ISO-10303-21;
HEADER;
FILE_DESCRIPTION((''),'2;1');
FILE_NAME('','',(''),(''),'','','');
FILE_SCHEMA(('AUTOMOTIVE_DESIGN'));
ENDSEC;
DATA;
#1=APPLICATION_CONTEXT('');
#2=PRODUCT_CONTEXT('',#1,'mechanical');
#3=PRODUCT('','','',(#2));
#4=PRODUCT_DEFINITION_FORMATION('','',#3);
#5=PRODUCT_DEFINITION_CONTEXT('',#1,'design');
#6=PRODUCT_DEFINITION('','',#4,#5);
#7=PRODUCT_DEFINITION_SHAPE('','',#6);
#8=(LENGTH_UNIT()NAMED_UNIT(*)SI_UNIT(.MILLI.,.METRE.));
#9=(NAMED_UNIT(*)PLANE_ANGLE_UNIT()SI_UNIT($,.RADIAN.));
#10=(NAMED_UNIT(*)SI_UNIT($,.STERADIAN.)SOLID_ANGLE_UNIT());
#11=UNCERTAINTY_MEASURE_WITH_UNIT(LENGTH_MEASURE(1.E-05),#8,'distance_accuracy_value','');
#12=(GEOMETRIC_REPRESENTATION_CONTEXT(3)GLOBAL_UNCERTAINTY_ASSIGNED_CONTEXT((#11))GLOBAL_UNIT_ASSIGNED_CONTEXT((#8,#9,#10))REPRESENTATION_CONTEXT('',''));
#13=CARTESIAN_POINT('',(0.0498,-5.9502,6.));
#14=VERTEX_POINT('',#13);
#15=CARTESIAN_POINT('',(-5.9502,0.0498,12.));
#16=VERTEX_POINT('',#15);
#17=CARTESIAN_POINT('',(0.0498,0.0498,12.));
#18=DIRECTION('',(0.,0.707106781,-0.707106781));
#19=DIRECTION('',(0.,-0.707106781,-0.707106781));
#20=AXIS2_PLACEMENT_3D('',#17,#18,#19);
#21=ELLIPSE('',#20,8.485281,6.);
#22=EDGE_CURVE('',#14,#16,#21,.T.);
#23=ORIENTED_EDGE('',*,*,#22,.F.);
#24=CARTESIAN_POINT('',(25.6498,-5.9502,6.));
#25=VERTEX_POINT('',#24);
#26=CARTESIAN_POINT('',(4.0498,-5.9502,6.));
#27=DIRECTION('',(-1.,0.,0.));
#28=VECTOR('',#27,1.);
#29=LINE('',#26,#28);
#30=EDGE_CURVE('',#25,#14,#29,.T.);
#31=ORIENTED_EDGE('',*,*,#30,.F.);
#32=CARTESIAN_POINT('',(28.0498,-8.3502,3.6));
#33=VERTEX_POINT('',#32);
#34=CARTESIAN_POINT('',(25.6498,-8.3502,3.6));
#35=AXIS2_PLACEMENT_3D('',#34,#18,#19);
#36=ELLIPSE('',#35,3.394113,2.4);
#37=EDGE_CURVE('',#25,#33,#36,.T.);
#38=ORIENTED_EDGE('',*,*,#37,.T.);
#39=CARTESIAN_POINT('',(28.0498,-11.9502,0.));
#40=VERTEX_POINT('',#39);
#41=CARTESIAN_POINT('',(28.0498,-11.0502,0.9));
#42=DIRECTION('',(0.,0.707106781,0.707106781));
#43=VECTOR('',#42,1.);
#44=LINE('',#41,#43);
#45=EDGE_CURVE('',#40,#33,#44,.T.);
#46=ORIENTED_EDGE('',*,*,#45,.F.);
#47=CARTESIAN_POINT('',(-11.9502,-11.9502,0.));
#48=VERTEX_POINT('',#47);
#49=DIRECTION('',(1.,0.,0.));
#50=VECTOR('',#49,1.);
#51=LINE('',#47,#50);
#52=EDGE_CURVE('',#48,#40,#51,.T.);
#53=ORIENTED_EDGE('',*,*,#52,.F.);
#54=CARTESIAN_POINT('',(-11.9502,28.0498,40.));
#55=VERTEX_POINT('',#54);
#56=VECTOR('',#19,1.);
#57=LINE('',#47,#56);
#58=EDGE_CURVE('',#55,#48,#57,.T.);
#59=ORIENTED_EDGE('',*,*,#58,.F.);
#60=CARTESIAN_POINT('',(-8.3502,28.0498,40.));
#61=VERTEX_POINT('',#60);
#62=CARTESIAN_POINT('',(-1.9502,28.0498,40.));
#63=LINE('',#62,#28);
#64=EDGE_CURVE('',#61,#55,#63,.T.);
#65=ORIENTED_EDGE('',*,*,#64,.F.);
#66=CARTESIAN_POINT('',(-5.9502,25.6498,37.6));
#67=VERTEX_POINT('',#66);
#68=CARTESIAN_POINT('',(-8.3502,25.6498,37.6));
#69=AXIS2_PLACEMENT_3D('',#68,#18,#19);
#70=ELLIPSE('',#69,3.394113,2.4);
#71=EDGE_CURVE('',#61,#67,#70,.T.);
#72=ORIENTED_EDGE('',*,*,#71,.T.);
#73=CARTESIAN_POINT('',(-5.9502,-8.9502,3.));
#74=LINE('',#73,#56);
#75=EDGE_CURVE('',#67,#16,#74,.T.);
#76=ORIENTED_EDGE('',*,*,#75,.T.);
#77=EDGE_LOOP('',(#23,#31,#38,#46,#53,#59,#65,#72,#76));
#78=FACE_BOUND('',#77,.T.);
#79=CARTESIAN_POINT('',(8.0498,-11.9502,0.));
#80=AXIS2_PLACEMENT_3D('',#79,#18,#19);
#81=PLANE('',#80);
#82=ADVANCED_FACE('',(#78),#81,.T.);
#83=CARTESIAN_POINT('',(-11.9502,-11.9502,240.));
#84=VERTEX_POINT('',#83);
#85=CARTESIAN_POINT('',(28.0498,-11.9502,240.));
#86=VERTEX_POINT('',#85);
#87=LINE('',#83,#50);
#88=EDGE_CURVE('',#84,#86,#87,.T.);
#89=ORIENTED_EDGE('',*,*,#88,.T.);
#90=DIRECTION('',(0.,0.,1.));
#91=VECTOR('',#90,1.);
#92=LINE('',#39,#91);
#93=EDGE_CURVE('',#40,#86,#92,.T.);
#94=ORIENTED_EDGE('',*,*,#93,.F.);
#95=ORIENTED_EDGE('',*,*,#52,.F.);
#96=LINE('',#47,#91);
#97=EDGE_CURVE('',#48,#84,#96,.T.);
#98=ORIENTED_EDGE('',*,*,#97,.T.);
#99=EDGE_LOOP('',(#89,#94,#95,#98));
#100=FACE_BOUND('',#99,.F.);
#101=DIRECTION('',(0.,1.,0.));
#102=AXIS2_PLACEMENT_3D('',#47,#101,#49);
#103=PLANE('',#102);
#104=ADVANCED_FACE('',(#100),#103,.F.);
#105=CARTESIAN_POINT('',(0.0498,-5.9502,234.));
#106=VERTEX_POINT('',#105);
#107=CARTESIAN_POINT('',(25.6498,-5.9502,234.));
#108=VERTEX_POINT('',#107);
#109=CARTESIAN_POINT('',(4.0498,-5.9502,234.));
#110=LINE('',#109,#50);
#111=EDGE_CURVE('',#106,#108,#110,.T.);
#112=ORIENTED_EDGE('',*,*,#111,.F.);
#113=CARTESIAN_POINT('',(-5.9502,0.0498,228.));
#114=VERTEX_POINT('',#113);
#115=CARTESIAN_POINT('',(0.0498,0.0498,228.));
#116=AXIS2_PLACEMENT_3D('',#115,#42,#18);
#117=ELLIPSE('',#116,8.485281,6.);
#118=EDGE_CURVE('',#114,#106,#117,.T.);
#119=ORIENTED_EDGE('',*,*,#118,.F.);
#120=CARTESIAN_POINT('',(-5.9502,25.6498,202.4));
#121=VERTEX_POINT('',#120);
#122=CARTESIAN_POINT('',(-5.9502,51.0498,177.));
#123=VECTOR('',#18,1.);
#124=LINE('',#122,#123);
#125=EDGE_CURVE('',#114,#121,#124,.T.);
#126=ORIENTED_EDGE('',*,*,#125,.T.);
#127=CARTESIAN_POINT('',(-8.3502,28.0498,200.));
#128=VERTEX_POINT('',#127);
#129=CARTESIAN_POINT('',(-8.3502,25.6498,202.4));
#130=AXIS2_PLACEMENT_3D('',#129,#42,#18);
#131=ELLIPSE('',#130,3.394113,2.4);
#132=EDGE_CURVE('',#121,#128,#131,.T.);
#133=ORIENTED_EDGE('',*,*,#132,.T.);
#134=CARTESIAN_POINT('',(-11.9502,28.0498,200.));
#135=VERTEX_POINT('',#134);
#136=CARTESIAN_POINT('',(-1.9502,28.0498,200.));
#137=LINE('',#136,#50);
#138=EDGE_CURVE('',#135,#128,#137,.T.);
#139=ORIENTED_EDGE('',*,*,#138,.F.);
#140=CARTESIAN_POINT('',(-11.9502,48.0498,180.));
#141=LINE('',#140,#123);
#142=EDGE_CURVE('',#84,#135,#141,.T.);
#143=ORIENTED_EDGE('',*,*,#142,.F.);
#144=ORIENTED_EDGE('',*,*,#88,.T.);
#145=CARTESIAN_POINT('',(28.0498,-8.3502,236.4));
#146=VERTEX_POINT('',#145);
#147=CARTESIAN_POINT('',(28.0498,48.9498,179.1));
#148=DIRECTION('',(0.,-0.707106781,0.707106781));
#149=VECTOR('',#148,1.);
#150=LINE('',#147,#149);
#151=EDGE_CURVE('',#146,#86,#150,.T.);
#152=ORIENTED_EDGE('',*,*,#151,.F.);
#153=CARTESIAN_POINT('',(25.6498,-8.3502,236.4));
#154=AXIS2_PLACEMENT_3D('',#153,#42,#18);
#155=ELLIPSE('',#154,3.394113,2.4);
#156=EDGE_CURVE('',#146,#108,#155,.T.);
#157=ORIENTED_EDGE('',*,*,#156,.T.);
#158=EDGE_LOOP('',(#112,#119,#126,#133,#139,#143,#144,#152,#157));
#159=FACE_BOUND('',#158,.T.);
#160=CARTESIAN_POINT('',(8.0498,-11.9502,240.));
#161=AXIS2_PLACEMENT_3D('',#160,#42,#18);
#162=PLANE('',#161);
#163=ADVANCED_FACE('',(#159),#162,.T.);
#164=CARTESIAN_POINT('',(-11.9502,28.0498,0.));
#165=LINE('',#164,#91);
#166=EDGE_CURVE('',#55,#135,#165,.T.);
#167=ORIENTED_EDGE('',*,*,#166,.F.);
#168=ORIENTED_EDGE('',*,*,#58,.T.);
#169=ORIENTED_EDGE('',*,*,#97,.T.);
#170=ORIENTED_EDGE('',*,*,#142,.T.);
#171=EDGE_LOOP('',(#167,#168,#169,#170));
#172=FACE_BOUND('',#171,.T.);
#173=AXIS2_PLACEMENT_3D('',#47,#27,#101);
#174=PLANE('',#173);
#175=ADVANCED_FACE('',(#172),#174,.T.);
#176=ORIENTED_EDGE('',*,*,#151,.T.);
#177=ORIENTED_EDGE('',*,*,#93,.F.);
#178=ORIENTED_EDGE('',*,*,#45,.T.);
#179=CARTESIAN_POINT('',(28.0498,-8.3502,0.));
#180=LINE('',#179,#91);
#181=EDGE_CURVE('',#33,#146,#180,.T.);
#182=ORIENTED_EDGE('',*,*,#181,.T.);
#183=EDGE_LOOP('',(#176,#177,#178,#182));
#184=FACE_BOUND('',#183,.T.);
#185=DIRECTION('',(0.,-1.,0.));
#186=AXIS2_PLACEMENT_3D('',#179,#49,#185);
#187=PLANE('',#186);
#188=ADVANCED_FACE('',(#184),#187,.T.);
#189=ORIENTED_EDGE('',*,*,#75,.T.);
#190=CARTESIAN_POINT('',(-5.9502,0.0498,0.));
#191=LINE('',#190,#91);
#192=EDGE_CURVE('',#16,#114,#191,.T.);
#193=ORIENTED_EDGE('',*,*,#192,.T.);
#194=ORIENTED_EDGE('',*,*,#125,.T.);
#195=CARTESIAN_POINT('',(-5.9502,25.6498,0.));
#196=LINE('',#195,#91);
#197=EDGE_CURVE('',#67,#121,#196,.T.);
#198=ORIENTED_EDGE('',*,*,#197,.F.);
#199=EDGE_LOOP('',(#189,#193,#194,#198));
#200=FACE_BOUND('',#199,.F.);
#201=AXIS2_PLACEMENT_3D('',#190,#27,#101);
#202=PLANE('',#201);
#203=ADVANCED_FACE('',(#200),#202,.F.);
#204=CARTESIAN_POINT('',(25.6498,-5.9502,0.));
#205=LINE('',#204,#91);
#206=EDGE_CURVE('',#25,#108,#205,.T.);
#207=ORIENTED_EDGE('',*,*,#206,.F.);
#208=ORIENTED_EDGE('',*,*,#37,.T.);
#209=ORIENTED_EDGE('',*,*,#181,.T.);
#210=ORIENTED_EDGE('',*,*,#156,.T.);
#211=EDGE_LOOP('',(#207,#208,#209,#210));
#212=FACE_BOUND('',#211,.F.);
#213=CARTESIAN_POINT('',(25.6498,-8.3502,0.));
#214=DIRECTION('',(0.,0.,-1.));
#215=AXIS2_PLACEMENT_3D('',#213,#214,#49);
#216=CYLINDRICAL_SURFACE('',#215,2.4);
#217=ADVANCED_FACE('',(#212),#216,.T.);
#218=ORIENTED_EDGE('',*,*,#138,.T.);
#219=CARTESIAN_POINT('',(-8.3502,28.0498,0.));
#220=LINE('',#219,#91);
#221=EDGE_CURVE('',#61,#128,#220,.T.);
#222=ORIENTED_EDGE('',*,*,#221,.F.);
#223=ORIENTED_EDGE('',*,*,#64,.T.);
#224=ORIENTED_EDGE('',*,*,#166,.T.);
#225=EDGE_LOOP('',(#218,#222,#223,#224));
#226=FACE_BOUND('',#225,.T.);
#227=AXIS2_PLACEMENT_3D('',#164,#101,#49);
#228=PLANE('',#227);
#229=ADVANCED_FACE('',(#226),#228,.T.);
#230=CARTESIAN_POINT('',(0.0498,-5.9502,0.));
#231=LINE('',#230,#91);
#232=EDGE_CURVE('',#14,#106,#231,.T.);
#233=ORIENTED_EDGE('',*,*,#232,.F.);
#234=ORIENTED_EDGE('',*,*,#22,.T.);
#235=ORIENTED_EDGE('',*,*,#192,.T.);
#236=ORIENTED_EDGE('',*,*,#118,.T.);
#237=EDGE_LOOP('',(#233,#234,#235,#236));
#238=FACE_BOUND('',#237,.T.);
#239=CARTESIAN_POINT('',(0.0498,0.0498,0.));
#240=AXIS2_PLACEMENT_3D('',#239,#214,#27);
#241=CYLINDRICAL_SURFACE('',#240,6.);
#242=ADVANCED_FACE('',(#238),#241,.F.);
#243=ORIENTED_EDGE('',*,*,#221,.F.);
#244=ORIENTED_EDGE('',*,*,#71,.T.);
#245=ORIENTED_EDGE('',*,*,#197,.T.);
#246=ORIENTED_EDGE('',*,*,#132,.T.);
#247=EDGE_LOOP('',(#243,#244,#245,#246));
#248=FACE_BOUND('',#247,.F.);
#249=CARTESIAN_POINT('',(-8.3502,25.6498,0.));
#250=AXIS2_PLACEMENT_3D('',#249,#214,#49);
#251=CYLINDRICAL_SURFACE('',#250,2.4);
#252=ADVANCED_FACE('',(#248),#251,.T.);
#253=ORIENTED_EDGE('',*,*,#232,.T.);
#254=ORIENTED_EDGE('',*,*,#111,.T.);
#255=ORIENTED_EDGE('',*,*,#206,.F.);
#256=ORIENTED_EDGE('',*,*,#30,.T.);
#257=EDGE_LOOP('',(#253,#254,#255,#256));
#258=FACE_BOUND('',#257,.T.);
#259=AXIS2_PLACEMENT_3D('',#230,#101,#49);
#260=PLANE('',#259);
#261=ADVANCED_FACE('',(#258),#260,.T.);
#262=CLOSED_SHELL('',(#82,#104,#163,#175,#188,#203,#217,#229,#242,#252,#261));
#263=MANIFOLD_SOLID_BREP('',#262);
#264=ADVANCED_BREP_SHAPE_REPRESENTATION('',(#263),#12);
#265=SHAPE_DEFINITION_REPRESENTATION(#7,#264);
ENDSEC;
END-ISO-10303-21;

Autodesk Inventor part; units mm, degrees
ref_plane "Start Plane" through (0, 0, 0) normal (0, 0, 1) x (1, 0, 0)
ref_plane "End Plane" through (0, 0, 240) normal (0, 0, 1) x (1, 0, 0)
sketch "Sketch" plane through (0, 0, 0) normal (0, 0, 1) x (1, 0, 0)
  line L0 (-5.9502, 0.0498) -> (-5.9502, 25.6498)
  line L1 (-11.9502, 28.0498) -> (-8.3502, 28.0498)
  line L2 (-11.9502, -11.9502) -> (-11.9502, 28.0498)
  line L3 (-11.9502, -11.9502) -> (28.0498, -11.9502)
  line L4 (28.0498, -8.3502) -> (28.0498, -11.9502)
  line L5 (0.0498, -5.9502) -> (25.6498, -5.9502)
  arc A0 (-5.9502, 0.0498) -> (0.0498, -5.9502) centre (0.0498, 0.0498) ccw
  arc A1 (-5.9502, 25.6498) -> (-8.3502, 28.0498) centre (-8.3502, 25.6498) ccw
  arc A2 (28.0498, -8.3502) -> (25.6498, -5.9502) centre (25.6498, -8.3502) ccw
  line L6 (0, 36.6463) -> (0, -20.0496) construction
  line L7 (-20.0496, 0) -> (36.6463, 0) construction
  point P0 (-5.9502, -5.9502)
  point P1 (-5.9502, 28.0498)
  point P2 (28.0498, -5.9502)
  dimension "d4" = 40
  dimension "d6" = 40
  dimension "d8" = 6
  dimension "d10" = 6
  dimension "d17" = 6
  dimension "d18" = 2.4
  dimension "d19" = 11.9502
  dimension "d20" = 11.9502
extrude "Body" add sketch "Sketch" along normal up to surface (240 mm away) from surface at 0
sketch "Sketch3" plane through (0, 0, 0) normal (0, 0, 1) x (1, 0, 0)
  line L0 (0, 0) -> (10, 0)
ref_plane "Work Plane10" through (0, 0, 0) normal (0, -1, 0) x (1, 0, 0)
sketch "Sketch4" plane through (0, 0, 0) normal (0, -1, 0) x (1, 0, 0)
  line L0 (-2, 0) -> (12, 0)
  line L1 (-2, 240) -> (12, 240)
  dimension "d24" = 240
ref_plane "Work Plane11" through (8.0498, -11.9502, 0) normal (0, 0.7071, -0.7071) x (1, 0, 0)
split "Split1" plane through (8.0498, -11.9502, 0) removes the side toward (0, 0.7071, -0.7071)
ref_plane "Work Plane12" through (8.0498, -11.9502, 240) normal (0, 0.7071, 0.7071) x (1, 0, 0)
split "Split2" plane through (8.0498, -11.9502, 240) removes the side toward (0, 0.7071, 0.7071)
equation "\"d4\" = b"
equation "\"d6\" = b"
equation "\"d8\" = ParT"
equation "\"d10\" = ParT"
equation "\"d17\" = R"
equation "\"d18\" = R1"
equation "\"d19\" = ex"
equation "\"d20\" = d19"
equation "\"d11\" = G_L"
equation "\"b\" = 40"
equation "\"ParT\" = 6"
equation "\"R\" = 6"
equation "\"R1\" = 2.4"
equation "\"G_L\" = d24"
equation "\"G_OFFSET_START\" = 0"
equation "\"G_OFFSET_END\" = 0"
equation "\"ex\" = 11.950185"
properties part number "BS 4848 - 40x40x6-240" material "Steel, Mild"
